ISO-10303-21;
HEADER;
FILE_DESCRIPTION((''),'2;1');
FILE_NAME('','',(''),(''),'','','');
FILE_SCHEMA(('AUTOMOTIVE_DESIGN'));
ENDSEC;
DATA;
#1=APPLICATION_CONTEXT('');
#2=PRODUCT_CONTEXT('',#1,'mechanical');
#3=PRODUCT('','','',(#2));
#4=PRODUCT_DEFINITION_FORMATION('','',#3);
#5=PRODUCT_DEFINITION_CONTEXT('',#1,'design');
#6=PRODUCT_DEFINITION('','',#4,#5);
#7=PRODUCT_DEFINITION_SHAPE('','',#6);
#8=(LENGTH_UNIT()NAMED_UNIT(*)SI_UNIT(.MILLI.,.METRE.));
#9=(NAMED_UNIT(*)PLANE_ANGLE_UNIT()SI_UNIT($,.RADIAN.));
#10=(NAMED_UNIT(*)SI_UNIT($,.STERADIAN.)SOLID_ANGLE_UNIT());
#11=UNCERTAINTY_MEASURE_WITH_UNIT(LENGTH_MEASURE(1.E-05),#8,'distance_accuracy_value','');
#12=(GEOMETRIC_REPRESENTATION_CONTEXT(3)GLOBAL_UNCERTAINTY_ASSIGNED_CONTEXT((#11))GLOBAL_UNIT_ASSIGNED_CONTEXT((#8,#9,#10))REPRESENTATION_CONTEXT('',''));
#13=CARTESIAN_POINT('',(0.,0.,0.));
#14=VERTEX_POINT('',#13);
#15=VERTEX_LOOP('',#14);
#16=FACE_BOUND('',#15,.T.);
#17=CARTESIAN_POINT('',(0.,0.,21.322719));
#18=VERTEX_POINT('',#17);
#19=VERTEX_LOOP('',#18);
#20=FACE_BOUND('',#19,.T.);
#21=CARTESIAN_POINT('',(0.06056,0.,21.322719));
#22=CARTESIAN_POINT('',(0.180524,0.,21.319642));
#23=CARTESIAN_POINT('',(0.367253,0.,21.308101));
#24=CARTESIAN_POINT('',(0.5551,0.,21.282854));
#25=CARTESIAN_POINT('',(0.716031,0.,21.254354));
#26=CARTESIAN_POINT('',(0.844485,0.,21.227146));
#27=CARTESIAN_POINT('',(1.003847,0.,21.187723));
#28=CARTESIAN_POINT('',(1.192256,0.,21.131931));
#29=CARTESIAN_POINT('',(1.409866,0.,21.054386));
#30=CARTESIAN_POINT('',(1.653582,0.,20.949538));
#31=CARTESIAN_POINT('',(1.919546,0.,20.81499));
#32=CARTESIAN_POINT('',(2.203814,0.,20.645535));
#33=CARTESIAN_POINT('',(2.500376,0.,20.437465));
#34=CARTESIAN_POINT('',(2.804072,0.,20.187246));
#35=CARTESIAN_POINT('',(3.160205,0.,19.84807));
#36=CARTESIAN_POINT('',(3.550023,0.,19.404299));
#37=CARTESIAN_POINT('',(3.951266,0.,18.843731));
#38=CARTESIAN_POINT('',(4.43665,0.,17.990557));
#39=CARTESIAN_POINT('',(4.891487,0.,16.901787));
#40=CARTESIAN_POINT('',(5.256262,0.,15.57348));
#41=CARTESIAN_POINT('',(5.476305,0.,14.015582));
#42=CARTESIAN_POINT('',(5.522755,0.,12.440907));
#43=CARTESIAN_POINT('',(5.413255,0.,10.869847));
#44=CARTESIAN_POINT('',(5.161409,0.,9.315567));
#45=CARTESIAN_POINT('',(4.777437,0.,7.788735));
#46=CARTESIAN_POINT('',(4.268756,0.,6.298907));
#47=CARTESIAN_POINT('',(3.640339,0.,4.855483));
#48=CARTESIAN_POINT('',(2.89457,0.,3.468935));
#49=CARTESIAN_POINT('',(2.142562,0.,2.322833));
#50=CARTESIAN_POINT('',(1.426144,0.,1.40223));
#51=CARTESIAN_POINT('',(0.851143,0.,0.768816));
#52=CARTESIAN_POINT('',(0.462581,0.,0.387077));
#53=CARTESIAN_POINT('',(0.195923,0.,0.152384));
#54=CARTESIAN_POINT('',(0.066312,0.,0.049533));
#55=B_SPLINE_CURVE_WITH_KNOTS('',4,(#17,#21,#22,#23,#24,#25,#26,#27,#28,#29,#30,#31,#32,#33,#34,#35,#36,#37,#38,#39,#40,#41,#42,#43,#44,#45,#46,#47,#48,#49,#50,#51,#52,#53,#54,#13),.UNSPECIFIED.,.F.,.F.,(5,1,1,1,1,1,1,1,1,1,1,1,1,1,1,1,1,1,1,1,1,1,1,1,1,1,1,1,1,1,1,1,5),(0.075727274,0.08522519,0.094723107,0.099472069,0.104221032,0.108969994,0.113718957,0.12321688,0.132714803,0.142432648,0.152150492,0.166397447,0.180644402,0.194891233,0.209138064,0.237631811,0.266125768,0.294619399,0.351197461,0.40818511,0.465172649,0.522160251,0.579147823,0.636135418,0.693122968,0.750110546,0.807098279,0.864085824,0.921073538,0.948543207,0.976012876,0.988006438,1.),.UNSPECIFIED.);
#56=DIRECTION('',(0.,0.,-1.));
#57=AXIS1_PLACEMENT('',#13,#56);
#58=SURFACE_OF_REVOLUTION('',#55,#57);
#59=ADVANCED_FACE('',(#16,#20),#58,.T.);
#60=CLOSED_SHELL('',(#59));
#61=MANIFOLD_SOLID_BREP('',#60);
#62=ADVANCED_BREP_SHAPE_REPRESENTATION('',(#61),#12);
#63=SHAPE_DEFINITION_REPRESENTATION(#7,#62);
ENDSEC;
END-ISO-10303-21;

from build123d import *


with BuildPart() as part:
    # Sketch1 → Revolve2 (revolve)
    with BuildSketch(Plane(origin=(0, 0, 0), x_dir=(1, 0, 0), z_dir=(0, 1, 0))):
        with BuildLine():
            Line((0, -21.322719236), (0, 0))
            add(Edge.make_bspline(
                [(0, -21.322719236), (0.060560085, -21.322719236), (0.180524471, -21.319641649), (0.367253436, -21.308100733), (0.555099954, -21.282853848), (0.716031376, -21.254354484), (0.844484832, -21.227146087), (1.003846681, -21.187722617), (1.192255978, -21.131930628), (1.409866449, -21.054385642), (1.653582017, -20.949537987), (1.919546295, -20.814989856), (2.203814395, -20.645534877), (2.500375521, -20.437465388), (2.804071515, -20.18724564), (3.160204704, -19.848070385), (3.550022854, -19.404299118), (3.951266169, -18.843731114), (4.436649613, -17.990557301), (4.891487265, -16.901787031), (5.256261672, -15.573480044), (5.476304842, -14.015582065), (5.522754746, -12.440907235), (5.413254634, -10.86984723), (5.161408842, -9.315567419), (4.777436956, -7.788735484), (4.268755831, -6.29890695), (3.640339299, -4.8554832), (2.894569991, -3.468935157), (2.142562223, -2.322832876), (1.4261444, -1.402229764), (0.851142921, -0.768816275), (0.46258063, -0.387077098), (0.195923127, -0.152384325), (0.066311735, -0.049533063), (0, 0)],
                knots=[0.075727274, 0.075727274, 0.075727274, 0.075727274, 0.075727274, 0.08522519, 0.094723107, 0.099472069, 0.104221032, 0.108969994, 0.113718957, 0.12321688, 0.132714803, 0.142432648, 0.152150492, 0.166397447, 0.180644402, 0.194891233, 0.209138064, 0.237631811, 0.266125768, 0.294619399, 0.351197461, 0.40818511, 0.465172649, 0.522160251, 0.579147823, 0.636135418, 0.693122968, 0.750110546, 0.807098279, 0.864085824, 0.921073538, 0.948543207, 0.976012876, 0.988006438, 1, 1, 1, 1, 1], degree=4))
        make_face()
    revolve(axis=Axis((0, 0, 0), (0, 0, 1)))


solid = part.part
